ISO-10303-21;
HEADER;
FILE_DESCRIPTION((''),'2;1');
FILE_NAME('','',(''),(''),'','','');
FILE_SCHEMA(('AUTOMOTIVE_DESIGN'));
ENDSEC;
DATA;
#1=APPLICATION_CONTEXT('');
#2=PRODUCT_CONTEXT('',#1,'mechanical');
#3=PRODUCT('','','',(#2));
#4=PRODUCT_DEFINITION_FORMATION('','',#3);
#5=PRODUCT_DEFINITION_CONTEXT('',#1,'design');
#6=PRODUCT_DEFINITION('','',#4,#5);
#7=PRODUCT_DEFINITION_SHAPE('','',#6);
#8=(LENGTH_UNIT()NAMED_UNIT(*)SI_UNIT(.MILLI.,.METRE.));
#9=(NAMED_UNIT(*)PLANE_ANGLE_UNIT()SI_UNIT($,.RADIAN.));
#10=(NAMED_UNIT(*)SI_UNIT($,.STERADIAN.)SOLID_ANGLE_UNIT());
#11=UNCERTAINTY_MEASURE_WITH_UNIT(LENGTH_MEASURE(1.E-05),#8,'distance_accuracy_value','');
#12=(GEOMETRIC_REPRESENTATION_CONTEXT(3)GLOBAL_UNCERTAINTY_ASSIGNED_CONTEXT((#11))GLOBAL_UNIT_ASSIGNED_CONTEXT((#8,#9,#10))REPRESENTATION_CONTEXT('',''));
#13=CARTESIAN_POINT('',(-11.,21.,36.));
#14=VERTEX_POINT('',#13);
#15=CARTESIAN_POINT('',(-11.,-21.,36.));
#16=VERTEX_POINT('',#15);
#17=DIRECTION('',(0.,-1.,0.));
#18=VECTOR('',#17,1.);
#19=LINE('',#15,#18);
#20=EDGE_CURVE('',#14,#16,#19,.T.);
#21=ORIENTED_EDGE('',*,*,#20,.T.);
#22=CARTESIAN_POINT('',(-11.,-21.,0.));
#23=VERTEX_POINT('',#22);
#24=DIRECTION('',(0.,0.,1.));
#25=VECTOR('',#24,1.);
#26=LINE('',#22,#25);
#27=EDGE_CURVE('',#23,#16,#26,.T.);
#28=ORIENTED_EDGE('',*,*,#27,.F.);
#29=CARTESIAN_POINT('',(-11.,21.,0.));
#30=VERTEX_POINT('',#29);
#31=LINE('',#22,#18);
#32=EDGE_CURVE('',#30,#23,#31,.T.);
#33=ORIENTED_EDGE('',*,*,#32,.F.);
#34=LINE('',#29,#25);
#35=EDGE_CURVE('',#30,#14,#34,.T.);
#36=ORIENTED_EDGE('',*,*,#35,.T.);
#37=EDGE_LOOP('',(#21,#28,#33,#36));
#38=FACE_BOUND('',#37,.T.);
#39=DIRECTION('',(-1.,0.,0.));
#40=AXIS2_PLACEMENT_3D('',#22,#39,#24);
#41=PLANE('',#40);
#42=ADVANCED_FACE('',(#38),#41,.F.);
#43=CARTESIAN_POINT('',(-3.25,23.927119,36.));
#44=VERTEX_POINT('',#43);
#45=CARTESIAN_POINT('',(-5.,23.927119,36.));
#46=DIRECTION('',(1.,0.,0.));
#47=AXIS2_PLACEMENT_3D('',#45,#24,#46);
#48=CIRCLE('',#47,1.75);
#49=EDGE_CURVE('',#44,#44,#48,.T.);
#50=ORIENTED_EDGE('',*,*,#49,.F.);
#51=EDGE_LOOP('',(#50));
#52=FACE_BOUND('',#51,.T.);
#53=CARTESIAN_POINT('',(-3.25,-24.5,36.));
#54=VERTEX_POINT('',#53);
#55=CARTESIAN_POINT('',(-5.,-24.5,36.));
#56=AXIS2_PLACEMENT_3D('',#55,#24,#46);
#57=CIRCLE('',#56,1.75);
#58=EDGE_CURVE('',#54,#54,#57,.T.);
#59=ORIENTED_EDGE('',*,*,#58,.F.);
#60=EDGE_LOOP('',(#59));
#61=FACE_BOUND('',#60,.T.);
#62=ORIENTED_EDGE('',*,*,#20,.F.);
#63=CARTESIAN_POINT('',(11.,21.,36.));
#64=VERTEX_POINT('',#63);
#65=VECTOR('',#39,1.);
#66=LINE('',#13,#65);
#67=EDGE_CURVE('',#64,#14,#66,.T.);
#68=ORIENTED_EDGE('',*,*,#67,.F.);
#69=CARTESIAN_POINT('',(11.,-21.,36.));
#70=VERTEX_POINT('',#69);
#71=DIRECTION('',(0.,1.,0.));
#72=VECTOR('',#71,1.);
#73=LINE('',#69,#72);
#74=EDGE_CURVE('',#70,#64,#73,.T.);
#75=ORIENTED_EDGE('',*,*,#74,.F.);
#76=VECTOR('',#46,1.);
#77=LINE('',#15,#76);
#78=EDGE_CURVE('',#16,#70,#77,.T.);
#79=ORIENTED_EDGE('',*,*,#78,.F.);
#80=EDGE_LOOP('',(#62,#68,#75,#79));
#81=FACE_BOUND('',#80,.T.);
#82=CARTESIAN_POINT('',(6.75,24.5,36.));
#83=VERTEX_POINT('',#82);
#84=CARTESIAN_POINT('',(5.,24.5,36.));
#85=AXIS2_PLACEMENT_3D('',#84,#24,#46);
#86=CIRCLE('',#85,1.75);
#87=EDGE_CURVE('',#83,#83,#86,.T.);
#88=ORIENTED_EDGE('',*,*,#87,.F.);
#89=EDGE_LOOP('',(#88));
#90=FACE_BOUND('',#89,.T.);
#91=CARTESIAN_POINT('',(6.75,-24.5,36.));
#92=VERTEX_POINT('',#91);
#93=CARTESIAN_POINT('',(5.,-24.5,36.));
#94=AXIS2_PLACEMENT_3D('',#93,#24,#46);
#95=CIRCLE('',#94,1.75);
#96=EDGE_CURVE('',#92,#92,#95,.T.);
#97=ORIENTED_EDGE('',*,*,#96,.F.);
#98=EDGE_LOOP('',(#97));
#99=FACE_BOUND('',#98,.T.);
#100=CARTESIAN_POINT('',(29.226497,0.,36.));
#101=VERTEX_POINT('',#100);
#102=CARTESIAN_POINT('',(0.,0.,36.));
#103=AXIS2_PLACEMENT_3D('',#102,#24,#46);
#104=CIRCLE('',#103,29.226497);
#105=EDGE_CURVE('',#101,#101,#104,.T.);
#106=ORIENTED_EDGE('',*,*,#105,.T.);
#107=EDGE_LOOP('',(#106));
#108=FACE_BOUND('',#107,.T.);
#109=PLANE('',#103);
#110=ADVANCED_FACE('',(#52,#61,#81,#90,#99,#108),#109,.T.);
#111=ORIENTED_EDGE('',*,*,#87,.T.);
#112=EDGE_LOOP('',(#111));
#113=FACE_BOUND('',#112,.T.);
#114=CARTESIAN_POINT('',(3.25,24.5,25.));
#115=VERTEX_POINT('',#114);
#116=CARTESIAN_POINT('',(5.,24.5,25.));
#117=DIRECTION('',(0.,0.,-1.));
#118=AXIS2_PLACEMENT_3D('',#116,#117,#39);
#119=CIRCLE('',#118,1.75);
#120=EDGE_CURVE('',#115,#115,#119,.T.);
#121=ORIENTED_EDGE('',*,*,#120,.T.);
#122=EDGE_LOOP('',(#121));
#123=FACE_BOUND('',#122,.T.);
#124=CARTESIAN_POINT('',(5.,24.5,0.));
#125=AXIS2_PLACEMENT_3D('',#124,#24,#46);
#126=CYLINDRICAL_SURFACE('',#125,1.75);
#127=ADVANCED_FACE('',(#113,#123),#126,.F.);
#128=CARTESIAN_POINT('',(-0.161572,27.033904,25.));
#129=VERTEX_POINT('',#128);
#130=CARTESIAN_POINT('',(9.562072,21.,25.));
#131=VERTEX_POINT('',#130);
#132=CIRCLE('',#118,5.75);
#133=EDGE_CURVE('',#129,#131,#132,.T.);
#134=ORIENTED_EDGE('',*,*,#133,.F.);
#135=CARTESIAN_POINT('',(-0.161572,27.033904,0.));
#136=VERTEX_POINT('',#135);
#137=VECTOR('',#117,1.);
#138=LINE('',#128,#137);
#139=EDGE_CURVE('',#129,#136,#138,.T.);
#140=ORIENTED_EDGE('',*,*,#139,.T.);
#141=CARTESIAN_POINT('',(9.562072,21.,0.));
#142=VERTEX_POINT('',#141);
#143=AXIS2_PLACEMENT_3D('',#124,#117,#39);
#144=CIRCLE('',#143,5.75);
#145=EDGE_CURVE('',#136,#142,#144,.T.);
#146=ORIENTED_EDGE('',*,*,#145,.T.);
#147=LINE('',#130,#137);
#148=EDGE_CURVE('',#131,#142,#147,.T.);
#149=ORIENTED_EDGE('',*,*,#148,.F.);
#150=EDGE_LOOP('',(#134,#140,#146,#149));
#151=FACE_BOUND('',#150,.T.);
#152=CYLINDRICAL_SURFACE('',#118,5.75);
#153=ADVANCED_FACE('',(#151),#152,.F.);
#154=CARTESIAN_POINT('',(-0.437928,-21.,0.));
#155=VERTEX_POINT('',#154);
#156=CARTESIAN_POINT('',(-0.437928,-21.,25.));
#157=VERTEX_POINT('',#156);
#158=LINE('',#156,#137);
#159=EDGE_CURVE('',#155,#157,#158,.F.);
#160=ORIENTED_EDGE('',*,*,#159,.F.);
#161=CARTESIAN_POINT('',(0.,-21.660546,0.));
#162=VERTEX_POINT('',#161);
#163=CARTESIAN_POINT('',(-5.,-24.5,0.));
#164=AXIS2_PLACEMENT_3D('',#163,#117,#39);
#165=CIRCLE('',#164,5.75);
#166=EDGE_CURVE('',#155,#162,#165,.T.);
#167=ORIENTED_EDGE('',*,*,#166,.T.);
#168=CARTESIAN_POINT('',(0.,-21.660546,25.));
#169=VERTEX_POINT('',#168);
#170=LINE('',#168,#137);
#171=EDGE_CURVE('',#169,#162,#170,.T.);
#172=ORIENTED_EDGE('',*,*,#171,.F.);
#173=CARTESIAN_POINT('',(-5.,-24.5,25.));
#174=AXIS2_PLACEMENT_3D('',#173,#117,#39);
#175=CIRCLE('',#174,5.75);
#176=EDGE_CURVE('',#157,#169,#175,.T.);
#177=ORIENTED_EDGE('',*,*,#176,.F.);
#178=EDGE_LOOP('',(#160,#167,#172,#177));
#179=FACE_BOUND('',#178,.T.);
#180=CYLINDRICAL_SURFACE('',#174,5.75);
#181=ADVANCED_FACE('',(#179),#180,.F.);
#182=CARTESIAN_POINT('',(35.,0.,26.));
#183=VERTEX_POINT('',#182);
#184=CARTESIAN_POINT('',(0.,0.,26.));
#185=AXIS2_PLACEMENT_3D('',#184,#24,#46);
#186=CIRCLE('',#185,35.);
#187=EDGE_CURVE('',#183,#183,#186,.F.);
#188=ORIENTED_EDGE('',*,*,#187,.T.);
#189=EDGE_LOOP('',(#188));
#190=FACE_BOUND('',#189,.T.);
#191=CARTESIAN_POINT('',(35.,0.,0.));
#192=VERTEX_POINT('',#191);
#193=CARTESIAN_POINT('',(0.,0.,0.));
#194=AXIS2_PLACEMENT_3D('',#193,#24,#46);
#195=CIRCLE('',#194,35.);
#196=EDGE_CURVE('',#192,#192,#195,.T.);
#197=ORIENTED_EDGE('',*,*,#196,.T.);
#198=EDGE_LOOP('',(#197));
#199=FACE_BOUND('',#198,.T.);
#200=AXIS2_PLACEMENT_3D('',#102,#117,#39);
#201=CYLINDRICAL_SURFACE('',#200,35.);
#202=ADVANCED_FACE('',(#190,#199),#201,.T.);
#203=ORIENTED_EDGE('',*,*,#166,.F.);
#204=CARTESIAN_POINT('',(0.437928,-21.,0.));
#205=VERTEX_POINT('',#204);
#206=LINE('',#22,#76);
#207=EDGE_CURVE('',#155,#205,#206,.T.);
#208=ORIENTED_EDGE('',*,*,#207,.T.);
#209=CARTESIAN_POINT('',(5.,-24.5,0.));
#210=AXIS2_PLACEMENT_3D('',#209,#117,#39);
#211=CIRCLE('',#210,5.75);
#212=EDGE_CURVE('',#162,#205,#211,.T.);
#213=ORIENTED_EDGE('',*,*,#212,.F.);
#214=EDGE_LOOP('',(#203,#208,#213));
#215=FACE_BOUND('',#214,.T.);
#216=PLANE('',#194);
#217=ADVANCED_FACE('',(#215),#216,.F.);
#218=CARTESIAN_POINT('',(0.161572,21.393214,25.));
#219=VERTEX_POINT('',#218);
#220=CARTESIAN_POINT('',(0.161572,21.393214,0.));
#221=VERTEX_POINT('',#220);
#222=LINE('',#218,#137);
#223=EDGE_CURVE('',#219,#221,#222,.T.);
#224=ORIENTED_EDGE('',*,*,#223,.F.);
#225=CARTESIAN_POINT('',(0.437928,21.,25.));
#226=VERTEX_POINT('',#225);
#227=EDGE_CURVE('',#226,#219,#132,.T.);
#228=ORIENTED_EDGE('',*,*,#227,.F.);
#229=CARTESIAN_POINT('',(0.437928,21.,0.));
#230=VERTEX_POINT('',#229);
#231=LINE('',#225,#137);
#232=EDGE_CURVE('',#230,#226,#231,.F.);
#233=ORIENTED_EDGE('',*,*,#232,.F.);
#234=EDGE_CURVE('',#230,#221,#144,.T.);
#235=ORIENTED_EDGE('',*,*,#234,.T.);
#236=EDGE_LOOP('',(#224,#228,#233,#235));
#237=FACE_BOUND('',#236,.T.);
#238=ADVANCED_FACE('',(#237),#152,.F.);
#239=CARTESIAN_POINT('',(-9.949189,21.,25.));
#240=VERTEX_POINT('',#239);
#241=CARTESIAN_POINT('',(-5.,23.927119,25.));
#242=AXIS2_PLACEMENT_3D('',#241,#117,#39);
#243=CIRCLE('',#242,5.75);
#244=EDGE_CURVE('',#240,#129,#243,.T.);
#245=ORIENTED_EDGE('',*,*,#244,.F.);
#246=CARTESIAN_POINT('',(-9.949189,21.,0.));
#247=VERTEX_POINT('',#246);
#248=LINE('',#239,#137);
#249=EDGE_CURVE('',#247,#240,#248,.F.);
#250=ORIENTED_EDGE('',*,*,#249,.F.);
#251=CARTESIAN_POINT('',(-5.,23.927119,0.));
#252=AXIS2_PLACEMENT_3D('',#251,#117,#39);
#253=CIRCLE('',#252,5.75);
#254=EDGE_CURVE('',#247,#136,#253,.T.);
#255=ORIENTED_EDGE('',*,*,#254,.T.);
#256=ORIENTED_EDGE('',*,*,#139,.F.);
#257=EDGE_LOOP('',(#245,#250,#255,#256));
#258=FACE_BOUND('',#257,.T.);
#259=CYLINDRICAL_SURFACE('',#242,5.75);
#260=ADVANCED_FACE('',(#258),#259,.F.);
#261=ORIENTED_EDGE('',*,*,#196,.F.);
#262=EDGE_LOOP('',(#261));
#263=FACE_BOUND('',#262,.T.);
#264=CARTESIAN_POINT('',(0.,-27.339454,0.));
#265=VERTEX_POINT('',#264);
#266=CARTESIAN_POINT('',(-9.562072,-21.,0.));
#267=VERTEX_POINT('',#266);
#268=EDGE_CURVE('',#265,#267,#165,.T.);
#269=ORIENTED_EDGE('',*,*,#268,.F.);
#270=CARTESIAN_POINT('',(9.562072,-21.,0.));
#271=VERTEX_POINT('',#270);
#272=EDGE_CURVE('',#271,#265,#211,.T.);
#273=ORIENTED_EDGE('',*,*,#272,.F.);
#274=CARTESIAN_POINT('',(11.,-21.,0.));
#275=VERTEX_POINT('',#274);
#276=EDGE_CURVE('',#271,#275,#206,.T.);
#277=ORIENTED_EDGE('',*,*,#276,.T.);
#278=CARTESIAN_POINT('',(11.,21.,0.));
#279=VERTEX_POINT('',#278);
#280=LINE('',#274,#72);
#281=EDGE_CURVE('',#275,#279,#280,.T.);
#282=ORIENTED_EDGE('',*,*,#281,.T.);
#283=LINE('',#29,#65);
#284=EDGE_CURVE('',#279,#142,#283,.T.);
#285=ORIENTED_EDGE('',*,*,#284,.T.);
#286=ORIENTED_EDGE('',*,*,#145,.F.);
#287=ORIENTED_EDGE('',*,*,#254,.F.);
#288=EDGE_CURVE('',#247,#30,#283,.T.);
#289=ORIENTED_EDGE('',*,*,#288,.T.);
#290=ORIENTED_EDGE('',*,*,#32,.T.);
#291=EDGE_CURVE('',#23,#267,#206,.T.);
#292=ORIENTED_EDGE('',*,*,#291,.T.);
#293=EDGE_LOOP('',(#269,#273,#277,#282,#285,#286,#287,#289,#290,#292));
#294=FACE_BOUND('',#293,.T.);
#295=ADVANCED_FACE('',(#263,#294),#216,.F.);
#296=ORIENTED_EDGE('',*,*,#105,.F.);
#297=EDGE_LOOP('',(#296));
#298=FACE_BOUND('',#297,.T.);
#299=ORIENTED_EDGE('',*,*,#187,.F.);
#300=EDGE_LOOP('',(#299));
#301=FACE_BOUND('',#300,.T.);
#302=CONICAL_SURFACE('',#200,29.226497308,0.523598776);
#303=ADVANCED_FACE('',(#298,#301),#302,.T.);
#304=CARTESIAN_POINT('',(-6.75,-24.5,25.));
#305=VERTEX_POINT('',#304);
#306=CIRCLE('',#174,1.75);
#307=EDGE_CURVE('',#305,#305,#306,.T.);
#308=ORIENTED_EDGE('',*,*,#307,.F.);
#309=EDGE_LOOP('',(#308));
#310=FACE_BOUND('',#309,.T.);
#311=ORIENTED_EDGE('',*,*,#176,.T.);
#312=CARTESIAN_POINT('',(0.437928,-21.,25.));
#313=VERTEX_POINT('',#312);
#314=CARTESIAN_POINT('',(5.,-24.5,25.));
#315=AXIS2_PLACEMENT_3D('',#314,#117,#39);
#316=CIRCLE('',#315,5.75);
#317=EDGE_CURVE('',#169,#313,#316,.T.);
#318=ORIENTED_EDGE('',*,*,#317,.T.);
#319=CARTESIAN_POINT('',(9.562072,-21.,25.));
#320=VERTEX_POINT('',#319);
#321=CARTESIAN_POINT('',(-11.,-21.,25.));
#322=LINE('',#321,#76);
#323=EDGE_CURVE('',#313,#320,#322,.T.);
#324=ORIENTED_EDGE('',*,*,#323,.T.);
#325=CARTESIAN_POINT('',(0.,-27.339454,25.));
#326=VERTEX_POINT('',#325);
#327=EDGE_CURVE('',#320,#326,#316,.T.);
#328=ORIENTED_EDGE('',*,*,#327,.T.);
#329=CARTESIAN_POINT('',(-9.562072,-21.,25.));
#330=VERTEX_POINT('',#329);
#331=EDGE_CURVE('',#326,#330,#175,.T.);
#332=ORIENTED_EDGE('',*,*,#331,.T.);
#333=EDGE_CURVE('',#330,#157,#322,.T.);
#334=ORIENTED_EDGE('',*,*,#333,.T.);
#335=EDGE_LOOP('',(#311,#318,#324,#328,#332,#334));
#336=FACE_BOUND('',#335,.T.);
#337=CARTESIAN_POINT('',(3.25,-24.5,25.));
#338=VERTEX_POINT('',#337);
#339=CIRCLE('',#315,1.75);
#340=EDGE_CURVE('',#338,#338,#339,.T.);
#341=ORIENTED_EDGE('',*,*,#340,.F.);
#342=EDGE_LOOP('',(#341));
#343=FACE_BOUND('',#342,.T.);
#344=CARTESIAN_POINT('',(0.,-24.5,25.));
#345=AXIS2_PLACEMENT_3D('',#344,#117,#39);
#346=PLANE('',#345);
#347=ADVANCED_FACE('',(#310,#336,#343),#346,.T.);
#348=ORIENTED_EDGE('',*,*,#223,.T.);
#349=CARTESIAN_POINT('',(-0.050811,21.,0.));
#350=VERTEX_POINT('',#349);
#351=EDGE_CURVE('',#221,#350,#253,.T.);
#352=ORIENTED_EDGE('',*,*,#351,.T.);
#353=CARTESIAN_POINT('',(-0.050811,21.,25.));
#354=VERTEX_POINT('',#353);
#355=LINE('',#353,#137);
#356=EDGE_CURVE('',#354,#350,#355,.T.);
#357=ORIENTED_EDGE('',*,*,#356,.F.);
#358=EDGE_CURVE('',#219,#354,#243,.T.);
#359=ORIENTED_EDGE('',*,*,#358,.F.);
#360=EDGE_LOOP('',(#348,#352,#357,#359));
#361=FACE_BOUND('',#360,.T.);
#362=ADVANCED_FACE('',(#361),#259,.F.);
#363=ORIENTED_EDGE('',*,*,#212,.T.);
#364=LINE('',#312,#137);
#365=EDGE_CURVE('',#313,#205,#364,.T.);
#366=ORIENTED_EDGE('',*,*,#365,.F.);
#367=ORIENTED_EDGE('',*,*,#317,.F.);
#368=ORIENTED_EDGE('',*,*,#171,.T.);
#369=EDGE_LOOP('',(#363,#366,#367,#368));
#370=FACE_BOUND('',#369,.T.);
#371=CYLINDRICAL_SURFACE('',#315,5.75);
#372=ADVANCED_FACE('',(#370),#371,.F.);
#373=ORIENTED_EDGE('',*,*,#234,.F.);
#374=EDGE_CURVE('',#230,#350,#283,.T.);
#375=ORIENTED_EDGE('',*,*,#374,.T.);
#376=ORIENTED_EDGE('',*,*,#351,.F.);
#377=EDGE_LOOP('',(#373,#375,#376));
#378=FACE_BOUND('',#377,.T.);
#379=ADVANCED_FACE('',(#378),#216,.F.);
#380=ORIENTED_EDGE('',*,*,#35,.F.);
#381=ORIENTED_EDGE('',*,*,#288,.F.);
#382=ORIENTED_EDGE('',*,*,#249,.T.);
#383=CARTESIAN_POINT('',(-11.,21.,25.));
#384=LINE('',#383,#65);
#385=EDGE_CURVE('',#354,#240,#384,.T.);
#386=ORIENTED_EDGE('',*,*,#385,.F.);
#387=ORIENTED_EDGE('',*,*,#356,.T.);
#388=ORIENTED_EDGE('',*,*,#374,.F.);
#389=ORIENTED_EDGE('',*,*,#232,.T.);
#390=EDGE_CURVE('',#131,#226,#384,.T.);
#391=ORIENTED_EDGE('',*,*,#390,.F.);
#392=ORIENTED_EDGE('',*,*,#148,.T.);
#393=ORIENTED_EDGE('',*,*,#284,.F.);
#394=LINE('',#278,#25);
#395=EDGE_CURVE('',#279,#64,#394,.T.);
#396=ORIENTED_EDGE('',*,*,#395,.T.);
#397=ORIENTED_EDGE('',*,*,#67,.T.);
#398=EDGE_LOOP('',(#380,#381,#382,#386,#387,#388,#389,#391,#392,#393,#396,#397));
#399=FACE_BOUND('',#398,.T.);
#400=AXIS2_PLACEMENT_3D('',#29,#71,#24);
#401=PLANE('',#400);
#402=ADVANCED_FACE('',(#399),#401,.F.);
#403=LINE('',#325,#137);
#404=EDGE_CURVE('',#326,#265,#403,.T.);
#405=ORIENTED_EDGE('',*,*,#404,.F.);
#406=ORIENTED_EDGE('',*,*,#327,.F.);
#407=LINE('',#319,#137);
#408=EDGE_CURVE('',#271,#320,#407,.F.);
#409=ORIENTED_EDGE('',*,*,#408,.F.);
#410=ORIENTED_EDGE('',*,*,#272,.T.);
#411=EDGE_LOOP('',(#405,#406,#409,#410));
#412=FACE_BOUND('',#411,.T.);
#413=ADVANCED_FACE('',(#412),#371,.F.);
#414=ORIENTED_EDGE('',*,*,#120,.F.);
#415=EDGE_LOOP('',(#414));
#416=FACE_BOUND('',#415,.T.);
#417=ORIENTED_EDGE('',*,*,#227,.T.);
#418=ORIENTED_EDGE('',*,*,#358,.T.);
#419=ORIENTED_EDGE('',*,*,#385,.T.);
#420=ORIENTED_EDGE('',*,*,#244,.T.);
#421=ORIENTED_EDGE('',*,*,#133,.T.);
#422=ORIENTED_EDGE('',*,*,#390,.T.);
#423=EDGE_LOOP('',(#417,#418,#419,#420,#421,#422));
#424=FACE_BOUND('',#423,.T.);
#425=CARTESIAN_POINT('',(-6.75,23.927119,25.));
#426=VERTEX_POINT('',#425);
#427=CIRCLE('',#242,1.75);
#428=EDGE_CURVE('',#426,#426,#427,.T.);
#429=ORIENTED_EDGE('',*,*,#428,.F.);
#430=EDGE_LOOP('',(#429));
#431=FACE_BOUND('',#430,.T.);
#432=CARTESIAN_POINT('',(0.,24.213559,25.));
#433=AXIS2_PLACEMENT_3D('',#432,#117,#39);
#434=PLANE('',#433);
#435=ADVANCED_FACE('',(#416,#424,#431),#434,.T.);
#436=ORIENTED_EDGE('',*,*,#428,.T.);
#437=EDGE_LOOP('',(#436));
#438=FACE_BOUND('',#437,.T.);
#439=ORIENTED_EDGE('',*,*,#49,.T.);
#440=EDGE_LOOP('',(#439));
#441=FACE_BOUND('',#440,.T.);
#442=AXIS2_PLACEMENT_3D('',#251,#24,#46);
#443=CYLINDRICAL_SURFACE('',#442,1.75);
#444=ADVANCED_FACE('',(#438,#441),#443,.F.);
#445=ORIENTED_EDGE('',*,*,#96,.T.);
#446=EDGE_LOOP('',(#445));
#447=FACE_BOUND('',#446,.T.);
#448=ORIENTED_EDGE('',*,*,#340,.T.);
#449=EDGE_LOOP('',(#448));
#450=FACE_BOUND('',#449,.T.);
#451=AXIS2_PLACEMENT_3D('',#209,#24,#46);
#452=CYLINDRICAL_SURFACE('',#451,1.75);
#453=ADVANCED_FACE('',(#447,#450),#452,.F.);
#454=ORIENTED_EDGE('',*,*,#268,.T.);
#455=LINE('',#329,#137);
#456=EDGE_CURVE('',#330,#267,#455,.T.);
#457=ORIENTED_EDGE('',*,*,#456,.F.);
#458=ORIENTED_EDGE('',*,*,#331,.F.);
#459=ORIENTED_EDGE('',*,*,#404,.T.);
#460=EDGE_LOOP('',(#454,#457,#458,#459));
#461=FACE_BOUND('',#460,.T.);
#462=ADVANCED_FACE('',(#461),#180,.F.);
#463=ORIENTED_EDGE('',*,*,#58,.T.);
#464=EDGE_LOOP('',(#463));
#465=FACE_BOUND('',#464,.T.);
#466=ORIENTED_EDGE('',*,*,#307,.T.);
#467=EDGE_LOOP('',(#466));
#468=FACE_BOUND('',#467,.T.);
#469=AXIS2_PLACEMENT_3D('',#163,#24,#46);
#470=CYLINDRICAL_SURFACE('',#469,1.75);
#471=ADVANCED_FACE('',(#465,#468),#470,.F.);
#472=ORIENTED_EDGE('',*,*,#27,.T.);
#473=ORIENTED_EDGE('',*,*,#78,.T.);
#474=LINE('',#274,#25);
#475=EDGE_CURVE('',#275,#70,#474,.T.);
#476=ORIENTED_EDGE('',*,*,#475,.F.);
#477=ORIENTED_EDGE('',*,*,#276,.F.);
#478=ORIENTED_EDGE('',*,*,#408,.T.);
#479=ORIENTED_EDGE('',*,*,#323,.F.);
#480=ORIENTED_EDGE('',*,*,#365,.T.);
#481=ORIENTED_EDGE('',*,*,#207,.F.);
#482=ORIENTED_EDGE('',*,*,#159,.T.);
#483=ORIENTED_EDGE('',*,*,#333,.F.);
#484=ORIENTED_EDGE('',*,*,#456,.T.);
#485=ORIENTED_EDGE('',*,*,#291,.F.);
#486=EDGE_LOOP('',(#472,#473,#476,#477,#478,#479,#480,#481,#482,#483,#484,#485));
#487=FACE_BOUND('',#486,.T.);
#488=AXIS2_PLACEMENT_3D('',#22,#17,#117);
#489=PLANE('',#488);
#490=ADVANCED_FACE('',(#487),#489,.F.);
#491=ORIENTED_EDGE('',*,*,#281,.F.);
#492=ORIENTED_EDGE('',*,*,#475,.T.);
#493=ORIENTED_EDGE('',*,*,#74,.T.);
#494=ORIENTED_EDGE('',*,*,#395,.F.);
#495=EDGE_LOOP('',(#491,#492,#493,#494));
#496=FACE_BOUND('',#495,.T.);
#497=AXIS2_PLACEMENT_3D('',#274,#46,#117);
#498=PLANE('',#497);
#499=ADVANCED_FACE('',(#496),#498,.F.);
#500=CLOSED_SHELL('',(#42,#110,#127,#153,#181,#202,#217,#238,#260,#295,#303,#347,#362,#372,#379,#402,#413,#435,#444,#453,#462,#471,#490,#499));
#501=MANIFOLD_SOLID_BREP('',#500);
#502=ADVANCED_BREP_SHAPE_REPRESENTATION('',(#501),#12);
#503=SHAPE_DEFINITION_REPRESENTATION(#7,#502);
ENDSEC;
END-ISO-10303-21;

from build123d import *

# Parameters (mm, degrees)
SKETCH1_R           = 35
BOSS_EXTRUDE1_DEPTH = 36
CHAMFER1_SIZE       = 10
CHAMFER1_SIZE2      = 5.773502692
SKETCH2_W           = 22
SKETCH2_H           = 42
CUT_EXTRUDE1_DEPTH  = 37
SKETCH3_R           = 1.75
CUT_EXTRUDE2_DEPTH  = 37
SKETCH4_R           = 1.75
CUT_EXTRUDE3_DEPTH  = 25


with BuildPart() as part:
    # Sketch1 → Boss-Extrude1 (new body)
    with BuildSketch(Plane.XY):
        Circle(SKETCH1_R)
    extrude(amount=BOSS_EXTRUDE1_DEPTH)

    # Chamfer1
    chamfer1_edges = [part.edges().sort_by_distance(p)[0] for p in [
        (-35, 0, 36),
    ]]
    chamfer1_side = [part.faces().sort_by_distance(p)[0] for p in [
        (-35, 0, 18),
    ]]
    chamfer(chamfer1_edges, length=CHAMFER1_SIZE, length2=CHAMFER1_SIZE2, reference=chamfer1_side[0])

    # Sketch2 → Cut-Extrude1 (cut, through all)
    with BuildSketch(Plane.XY.offset(36)):
        Rectangle(SKETCH2_W, SKETCH2_H)
    extrude(amount=-CUT_EXTRUDE1_DEPTH, mode=Mode.SUBTRACT)

    # Sketch3 → Cut-Extrude2 (cut, through all)
    with BuildSketch(Plane.XY.offset(36)):
        with Locations((-5, 23.927118757)):
            Circle(SKETCH3_R)
        with Locations((5, 24.5)):
            Circle(SKETCH3_R)
        with Locations((5, -24.5)):
            Circle(SKETCH3_R)
        with Locations((-5, -24.5)):
            Circle(SKETCH3_R)
    extrude(amount=-CUT_EXTRUDE2_DEPTH, mode=Mode.SUBTRACT)

    # Sketch4 → Cut-Extrude3 (cut)
    with BuildSketch(Plane(origin=(0, 0, 0), x_dir=(-1, 0, 0), z_dir=(0, 0, -1))):
        with BuildLine():
            ThreePointArc((0, -21.660545827), (-10.75, -24.5), (0, -27.339454173))
            ThreePointArc((0, -27.339454173), (10.75, -24.5), (0, -21.660545827))
        make_face()
        with Locations((-5, -24.5)):
            Circle(SKETCH4_R, mode=Mode.SUBTRACT)
        with Locations((5, -24.5)):
            Circle(SKETCH4_R, mode=Mode.SUBTRACT)
        with BuildLine():
            ThreePointArc((-0.161572278, 21.393214334), (10.740587615, 23.59825126), (0.161572278, 27.033904423))
            ThreePointArc((0.161572278, 27.033904423), (-10.740587615, 24.828867497), (-0.161572278, 21.393214334))
        make_face()
        with Locations((5, 23.927118757)):
            Circle(SKETCH4_R, mode=Mode.SUBTRACT)
        with Locations((-5, 24.5)):
            Circle(SKETCH4_R, mode=Mode.SUBTRACT)
    extrude(amount=-CUT_EXTRUDE3_DEPTH, mode=Mode.SUBTRACT)


solid = part.part
